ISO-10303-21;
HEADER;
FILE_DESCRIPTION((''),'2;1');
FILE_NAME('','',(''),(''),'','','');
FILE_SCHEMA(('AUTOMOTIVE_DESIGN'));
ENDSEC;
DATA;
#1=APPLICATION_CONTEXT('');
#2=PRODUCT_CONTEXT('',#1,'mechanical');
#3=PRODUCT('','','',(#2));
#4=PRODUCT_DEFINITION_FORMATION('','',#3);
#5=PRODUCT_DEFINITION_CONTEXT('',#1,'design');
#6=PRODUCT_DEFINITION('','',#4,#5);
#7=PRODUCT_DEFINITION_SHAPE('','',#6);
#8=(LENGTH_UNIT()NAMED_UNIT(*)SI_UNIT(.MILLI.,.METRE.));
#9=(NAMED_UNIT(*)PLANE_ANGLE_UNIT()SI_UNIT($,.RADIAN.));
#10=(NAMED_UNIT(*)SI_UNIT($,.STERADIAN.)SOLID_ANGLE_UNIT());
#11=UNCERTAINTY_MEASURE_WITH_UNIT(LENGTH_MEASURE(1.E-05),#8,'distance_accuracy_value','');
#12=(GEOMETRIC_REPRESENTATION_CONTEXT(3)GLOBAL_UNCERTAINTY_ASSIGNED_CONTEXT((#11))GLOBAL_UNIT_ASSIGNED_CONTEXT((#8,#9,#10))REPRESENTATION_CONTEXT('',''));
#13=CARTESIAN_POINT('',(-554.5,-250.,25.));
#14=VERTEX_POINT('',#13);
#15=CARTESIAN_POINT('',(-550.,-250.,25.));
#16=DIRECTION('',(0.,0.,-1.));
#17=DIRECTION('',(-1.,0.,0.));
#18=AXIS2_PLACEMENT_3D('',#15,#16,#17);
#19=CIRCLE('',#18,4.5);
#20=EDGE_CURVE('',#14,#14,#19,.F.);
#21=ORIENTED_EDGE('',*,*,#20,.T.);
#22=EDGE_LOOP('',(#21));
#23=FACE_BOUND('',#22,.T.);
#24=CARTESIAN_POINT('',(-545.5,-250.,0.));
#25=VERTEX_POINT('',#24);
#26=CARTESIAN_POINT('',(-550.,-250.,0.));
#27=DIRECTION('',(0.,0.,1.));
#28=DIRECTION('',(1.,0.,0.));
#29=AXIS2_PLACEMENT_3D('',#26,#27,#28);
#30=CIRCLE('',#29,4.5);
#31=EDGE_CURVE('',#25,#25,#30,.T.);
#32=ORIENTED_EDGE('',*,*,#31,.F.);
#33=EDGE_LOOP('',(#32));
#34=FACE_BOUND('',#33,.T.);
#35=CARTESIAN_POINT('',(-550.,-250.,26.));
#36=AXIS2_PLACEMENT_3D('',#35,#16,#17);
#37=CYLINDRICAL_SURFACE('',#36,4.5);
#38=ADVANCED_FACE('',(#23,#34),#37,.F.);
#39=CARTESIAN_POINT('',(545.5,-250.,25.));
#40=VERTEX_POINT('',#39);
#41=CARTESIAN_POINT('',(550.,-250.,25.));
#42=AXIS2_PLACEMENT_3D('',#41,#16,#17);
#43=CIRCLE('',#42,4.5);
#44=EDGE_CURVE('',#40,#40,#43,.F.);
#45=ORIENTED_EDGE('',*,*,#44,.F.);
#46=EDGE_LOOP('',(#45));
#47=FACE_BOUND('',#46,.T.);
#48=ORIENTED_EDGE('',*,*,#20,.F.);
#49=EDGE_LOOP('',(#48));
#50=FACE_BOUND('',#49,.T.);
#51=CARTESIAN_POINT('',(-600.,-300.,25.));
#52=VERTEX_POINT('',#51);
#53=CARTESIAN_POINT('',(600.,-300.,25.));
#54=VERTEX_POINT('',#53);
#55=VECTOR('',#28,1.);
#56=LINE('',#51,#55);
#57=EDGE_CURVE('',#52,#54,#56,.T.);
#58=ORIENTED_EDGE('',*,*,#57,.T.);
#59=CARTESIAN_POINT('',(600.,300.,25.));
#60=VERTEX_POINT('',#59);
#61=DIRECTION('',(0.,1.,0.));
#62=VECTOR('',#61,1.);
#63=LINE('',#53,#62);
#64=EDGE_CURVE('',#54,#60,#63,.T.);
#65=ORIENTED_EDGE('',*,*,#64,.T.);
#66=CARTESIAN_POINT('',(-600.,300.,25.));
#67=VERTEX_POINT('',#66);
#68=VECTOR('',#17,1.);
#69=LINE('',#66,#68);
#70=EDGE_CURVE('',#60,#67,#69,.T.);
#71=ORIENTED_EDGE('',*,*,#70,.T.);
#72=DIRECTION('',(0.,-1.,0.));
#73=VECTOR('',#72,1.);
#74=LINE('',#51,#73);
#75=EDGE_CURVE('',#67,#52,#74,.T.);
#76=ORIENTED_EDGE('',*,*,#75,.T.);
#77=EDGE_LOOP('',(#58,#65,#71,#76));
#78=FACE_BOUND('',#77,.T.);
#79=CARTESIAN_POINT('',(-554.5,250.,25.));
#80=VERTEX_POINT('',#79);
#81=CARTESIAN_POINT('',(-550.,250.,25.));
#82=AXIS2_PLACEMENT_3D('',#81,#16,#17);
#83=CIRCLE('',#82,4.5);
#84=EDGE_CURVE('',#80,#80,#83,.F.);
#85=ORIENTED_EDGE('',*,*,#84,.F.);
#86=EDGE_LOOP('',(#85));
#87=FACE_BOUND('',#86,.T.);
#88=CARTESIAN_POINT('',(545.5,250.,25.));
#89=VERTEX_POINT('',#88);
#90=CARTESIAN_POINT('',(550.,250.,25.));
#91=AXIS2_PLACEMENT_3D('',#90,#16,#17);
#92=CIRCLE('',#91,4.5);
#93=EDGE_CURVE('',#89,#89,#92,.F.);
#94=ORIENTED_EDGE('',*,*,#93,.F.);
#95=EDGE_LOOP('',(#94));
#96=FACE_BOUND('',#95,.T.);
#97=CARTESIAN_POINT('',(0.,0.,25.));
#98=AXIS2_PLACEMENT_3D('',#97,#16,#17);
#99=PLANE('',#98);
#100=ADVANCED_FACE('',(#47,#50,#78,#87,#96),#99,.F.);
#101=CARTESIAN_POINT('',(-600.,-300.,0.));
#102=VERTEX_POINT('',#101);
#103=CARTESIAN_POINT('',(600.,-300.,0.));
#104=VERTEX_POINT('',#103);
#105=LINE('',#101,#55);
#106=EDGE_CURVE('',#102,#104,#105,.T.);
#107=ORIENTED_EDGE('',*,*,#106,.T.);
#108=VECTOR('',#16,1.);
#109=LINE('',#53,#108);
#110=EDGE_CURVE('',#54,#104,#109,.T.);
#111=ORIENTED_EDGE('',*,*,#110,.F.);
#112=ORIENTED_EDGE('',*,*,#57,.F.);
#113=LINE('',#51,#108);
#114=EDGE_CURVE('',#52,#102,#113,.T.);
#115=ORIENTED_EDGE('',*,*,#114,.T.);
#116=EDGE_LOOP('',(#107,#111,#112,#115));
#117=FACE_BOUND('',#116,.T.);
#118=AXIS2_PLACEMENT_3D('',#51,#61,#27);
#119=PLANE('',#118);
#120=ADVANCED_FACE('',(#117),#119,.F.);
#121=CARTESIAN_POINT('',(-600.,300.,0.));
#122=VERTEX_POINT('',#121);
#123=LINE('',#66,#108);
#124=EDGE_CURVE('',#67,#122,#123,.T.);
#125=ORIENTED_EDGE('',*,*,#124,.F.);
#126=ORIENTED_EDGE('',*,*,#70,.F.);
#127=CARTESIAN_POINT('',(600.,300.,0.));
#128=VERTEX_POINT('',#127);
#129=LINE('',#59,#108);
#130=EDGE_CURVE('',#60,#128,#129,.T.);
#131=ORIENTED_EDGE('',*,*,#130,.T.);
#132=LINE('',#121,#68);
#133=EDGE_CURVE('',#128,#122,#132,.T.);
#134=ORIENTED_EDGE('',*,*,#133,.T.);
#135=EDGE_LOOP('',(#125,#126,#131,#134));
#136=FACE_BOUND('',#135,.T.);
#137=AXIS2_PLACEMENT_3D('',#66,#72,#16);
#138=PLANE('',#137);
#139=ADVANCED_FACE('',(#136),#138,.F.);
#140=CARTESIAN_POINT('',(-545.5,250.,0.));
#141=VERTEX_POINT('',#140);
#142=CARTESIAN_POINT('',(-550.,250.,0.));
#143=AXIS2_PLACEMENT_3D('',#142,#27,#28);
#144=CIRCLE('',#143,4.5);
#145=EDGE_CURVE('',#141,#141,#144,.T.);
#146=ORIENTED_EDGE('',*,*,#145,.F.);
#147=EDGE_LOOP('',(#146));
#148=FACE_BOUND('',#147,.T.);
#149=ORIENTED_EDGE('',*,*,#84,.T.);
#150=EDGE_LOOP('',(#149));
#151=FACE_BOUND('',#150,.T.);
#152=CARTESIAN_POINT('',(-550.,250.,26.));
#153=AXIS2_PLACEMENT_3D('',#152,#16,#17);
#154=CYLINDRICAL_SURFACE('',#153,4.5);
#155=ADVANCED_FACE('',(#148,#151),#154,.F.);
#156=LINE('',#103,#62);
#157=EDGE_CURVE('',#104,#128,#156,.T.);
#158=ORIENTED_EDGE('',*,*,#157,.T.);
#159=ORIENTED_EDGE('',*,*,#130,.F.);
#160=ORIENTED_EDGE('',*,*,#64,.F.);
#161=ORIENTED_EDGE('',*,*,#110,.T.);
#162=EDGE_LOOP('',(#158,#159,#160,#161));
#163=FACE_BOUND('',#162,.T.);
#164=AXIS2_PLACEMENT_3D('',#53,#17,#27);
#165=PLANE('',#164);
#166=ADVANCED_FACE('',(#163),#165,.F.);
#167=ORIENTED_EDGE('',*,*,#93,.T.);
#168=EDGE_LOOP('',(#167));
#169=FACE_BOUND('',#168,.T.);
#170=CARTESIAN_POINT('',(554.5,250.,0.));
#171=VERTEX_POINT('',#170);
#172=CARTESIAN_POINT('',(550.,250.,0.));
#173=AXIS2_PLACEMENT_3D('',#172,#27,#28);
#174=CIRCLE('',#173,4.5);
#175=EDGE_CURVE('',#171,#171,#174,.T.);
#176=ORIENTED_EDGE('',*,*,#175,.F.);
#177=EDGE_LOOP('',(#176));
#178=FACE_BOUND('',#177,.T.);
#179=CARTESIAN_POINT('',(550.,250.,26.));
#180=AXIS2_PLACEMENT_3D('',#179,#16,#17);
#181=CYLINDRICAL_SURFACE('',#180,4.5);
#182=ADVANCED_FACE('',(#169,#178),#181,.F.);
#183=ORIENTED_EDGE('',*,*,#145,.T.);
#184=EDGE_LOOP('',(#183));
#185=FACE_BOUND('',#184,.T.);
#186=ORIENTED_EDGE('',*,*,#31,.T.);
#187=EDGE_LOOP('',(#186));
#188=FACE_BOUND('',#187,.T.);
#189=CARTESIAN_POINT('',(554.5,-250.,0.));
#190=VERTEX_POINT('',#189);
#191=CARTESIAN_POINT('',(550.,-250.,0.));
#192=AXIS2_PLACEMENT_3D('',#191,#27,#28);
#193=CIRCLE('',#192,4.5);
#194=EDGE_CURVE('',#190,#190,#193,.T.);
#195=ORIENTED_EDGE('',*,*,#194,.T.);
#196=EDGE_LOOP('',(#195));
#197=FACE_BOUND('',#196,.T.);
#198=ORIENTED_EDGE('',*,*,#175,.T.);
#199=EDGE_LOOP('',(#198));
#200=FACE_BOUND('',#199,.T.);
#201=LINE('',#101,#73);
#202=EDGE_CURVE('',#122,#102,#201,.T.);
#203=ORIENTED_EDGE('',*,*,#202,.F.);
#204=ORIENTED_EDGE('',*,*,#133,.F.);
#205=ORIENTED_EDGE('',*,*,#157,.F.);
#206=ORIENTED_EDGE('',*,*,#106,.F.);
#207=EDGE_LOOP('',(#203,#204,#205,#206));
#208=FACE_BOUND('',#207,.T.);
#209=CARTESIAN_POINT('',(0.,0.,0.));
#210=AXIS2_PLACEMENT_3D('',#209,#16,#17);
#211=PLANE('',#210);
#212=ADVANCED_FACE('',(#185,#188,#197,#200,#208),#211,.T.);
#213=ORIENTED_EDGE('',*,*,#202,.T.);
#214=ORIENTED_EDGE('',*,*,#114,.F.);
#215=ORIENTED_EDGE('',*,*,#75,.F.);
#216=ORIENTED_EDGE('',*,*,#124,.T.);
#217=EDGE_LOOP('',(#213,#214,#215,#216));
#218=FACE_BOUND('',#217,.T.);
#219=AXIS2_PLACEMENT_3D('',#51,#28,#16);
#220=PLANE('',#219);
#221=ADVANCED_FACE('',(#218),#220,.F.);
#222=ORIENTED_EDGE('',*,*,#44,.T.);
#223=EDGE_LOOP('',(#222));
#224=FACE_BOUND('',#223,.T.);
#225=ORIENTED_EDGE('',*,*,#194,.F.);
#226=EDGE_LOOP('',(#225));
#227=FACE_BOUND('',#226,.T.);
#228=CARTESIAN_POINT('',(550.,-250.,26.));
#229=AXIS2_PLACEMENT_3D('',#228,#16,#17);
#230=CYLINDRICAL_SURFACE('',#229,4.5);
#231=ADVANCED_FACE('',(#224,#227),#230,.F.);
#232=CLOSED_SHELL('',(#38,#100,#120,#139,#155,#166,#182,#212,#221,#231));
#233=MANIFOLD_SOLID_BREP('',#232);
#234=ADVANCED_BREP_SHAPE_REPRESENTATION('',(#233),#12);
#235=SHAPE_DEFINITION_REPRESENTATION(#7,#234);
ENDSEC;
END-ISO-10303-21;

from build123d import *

# Parameters (mm, degrees)
SKETCH1_W           = 1200
SKETCH1_H           = 600
BOSS_EXTRUDE1_DEPTH = 25
SKETCH2_R           = 4.5
CUT_EXTRUDE1_DEPTH  = 26
SKETCH3_R           = 4.5
CUT_EXTRUDE2_DEPTH  = 26
SKETCH4_R           = 4.5
CUT_EXTRUDE3_DEPTH  = 26
SKETCH5_R           = 4.5
CUT_EXTRUDE4_DEPTH  = 26


with BuildPart() as part:
    # Sketch1 → Boss-Extrude1 (new body)
    with BuildSketch(Plane.XY):
        Rectangle(SKETCH1_W, SKETCH1_H)
    extrude(amount=BOSS_EXTRUDE1_DEPTH)

    # Sketch2 → Cut-Extrude1 (cut)
    with BuildSketch(Plane.XY):
        with Locations((-550, -250)):
            Circle(SKETCH2_R)
    extrude(amount=CUT_EXTRUDE1_DEPTH, mode=Mode.SUBTRACT)

    # Sketch3 → Cut-Extrude2 (cut)
    with BuildSketch(Plane.XY):
        with Locations((550, -250)):
            Circle(SKETCH3_R)
    extrude(amount=CUT_EXTRUDE2_DEPTH, mode=Mode.SUBTRACT)

    # Sketch4 → Cut-Extrude3 (cut)
    with BuildSketch(Plane.XY):
        with Locations((-550, 250)):
            Circle(SKETCH4_R)
    extrude(amount=CUT_EXTRUDE3_DEPTH, mode=Mode.SUBTRACT)

    # Sketch5 → Cut-Extrude4 (cut)
    with BuildSketch(Plane.XY):
        with Locations((550, 250)):
            Circle(SKETCH5_R)
    extrude(amount=CUT_EXTRUDE4_DEPTH, mode=Mode.SUBTRACT)


solid = part.part
